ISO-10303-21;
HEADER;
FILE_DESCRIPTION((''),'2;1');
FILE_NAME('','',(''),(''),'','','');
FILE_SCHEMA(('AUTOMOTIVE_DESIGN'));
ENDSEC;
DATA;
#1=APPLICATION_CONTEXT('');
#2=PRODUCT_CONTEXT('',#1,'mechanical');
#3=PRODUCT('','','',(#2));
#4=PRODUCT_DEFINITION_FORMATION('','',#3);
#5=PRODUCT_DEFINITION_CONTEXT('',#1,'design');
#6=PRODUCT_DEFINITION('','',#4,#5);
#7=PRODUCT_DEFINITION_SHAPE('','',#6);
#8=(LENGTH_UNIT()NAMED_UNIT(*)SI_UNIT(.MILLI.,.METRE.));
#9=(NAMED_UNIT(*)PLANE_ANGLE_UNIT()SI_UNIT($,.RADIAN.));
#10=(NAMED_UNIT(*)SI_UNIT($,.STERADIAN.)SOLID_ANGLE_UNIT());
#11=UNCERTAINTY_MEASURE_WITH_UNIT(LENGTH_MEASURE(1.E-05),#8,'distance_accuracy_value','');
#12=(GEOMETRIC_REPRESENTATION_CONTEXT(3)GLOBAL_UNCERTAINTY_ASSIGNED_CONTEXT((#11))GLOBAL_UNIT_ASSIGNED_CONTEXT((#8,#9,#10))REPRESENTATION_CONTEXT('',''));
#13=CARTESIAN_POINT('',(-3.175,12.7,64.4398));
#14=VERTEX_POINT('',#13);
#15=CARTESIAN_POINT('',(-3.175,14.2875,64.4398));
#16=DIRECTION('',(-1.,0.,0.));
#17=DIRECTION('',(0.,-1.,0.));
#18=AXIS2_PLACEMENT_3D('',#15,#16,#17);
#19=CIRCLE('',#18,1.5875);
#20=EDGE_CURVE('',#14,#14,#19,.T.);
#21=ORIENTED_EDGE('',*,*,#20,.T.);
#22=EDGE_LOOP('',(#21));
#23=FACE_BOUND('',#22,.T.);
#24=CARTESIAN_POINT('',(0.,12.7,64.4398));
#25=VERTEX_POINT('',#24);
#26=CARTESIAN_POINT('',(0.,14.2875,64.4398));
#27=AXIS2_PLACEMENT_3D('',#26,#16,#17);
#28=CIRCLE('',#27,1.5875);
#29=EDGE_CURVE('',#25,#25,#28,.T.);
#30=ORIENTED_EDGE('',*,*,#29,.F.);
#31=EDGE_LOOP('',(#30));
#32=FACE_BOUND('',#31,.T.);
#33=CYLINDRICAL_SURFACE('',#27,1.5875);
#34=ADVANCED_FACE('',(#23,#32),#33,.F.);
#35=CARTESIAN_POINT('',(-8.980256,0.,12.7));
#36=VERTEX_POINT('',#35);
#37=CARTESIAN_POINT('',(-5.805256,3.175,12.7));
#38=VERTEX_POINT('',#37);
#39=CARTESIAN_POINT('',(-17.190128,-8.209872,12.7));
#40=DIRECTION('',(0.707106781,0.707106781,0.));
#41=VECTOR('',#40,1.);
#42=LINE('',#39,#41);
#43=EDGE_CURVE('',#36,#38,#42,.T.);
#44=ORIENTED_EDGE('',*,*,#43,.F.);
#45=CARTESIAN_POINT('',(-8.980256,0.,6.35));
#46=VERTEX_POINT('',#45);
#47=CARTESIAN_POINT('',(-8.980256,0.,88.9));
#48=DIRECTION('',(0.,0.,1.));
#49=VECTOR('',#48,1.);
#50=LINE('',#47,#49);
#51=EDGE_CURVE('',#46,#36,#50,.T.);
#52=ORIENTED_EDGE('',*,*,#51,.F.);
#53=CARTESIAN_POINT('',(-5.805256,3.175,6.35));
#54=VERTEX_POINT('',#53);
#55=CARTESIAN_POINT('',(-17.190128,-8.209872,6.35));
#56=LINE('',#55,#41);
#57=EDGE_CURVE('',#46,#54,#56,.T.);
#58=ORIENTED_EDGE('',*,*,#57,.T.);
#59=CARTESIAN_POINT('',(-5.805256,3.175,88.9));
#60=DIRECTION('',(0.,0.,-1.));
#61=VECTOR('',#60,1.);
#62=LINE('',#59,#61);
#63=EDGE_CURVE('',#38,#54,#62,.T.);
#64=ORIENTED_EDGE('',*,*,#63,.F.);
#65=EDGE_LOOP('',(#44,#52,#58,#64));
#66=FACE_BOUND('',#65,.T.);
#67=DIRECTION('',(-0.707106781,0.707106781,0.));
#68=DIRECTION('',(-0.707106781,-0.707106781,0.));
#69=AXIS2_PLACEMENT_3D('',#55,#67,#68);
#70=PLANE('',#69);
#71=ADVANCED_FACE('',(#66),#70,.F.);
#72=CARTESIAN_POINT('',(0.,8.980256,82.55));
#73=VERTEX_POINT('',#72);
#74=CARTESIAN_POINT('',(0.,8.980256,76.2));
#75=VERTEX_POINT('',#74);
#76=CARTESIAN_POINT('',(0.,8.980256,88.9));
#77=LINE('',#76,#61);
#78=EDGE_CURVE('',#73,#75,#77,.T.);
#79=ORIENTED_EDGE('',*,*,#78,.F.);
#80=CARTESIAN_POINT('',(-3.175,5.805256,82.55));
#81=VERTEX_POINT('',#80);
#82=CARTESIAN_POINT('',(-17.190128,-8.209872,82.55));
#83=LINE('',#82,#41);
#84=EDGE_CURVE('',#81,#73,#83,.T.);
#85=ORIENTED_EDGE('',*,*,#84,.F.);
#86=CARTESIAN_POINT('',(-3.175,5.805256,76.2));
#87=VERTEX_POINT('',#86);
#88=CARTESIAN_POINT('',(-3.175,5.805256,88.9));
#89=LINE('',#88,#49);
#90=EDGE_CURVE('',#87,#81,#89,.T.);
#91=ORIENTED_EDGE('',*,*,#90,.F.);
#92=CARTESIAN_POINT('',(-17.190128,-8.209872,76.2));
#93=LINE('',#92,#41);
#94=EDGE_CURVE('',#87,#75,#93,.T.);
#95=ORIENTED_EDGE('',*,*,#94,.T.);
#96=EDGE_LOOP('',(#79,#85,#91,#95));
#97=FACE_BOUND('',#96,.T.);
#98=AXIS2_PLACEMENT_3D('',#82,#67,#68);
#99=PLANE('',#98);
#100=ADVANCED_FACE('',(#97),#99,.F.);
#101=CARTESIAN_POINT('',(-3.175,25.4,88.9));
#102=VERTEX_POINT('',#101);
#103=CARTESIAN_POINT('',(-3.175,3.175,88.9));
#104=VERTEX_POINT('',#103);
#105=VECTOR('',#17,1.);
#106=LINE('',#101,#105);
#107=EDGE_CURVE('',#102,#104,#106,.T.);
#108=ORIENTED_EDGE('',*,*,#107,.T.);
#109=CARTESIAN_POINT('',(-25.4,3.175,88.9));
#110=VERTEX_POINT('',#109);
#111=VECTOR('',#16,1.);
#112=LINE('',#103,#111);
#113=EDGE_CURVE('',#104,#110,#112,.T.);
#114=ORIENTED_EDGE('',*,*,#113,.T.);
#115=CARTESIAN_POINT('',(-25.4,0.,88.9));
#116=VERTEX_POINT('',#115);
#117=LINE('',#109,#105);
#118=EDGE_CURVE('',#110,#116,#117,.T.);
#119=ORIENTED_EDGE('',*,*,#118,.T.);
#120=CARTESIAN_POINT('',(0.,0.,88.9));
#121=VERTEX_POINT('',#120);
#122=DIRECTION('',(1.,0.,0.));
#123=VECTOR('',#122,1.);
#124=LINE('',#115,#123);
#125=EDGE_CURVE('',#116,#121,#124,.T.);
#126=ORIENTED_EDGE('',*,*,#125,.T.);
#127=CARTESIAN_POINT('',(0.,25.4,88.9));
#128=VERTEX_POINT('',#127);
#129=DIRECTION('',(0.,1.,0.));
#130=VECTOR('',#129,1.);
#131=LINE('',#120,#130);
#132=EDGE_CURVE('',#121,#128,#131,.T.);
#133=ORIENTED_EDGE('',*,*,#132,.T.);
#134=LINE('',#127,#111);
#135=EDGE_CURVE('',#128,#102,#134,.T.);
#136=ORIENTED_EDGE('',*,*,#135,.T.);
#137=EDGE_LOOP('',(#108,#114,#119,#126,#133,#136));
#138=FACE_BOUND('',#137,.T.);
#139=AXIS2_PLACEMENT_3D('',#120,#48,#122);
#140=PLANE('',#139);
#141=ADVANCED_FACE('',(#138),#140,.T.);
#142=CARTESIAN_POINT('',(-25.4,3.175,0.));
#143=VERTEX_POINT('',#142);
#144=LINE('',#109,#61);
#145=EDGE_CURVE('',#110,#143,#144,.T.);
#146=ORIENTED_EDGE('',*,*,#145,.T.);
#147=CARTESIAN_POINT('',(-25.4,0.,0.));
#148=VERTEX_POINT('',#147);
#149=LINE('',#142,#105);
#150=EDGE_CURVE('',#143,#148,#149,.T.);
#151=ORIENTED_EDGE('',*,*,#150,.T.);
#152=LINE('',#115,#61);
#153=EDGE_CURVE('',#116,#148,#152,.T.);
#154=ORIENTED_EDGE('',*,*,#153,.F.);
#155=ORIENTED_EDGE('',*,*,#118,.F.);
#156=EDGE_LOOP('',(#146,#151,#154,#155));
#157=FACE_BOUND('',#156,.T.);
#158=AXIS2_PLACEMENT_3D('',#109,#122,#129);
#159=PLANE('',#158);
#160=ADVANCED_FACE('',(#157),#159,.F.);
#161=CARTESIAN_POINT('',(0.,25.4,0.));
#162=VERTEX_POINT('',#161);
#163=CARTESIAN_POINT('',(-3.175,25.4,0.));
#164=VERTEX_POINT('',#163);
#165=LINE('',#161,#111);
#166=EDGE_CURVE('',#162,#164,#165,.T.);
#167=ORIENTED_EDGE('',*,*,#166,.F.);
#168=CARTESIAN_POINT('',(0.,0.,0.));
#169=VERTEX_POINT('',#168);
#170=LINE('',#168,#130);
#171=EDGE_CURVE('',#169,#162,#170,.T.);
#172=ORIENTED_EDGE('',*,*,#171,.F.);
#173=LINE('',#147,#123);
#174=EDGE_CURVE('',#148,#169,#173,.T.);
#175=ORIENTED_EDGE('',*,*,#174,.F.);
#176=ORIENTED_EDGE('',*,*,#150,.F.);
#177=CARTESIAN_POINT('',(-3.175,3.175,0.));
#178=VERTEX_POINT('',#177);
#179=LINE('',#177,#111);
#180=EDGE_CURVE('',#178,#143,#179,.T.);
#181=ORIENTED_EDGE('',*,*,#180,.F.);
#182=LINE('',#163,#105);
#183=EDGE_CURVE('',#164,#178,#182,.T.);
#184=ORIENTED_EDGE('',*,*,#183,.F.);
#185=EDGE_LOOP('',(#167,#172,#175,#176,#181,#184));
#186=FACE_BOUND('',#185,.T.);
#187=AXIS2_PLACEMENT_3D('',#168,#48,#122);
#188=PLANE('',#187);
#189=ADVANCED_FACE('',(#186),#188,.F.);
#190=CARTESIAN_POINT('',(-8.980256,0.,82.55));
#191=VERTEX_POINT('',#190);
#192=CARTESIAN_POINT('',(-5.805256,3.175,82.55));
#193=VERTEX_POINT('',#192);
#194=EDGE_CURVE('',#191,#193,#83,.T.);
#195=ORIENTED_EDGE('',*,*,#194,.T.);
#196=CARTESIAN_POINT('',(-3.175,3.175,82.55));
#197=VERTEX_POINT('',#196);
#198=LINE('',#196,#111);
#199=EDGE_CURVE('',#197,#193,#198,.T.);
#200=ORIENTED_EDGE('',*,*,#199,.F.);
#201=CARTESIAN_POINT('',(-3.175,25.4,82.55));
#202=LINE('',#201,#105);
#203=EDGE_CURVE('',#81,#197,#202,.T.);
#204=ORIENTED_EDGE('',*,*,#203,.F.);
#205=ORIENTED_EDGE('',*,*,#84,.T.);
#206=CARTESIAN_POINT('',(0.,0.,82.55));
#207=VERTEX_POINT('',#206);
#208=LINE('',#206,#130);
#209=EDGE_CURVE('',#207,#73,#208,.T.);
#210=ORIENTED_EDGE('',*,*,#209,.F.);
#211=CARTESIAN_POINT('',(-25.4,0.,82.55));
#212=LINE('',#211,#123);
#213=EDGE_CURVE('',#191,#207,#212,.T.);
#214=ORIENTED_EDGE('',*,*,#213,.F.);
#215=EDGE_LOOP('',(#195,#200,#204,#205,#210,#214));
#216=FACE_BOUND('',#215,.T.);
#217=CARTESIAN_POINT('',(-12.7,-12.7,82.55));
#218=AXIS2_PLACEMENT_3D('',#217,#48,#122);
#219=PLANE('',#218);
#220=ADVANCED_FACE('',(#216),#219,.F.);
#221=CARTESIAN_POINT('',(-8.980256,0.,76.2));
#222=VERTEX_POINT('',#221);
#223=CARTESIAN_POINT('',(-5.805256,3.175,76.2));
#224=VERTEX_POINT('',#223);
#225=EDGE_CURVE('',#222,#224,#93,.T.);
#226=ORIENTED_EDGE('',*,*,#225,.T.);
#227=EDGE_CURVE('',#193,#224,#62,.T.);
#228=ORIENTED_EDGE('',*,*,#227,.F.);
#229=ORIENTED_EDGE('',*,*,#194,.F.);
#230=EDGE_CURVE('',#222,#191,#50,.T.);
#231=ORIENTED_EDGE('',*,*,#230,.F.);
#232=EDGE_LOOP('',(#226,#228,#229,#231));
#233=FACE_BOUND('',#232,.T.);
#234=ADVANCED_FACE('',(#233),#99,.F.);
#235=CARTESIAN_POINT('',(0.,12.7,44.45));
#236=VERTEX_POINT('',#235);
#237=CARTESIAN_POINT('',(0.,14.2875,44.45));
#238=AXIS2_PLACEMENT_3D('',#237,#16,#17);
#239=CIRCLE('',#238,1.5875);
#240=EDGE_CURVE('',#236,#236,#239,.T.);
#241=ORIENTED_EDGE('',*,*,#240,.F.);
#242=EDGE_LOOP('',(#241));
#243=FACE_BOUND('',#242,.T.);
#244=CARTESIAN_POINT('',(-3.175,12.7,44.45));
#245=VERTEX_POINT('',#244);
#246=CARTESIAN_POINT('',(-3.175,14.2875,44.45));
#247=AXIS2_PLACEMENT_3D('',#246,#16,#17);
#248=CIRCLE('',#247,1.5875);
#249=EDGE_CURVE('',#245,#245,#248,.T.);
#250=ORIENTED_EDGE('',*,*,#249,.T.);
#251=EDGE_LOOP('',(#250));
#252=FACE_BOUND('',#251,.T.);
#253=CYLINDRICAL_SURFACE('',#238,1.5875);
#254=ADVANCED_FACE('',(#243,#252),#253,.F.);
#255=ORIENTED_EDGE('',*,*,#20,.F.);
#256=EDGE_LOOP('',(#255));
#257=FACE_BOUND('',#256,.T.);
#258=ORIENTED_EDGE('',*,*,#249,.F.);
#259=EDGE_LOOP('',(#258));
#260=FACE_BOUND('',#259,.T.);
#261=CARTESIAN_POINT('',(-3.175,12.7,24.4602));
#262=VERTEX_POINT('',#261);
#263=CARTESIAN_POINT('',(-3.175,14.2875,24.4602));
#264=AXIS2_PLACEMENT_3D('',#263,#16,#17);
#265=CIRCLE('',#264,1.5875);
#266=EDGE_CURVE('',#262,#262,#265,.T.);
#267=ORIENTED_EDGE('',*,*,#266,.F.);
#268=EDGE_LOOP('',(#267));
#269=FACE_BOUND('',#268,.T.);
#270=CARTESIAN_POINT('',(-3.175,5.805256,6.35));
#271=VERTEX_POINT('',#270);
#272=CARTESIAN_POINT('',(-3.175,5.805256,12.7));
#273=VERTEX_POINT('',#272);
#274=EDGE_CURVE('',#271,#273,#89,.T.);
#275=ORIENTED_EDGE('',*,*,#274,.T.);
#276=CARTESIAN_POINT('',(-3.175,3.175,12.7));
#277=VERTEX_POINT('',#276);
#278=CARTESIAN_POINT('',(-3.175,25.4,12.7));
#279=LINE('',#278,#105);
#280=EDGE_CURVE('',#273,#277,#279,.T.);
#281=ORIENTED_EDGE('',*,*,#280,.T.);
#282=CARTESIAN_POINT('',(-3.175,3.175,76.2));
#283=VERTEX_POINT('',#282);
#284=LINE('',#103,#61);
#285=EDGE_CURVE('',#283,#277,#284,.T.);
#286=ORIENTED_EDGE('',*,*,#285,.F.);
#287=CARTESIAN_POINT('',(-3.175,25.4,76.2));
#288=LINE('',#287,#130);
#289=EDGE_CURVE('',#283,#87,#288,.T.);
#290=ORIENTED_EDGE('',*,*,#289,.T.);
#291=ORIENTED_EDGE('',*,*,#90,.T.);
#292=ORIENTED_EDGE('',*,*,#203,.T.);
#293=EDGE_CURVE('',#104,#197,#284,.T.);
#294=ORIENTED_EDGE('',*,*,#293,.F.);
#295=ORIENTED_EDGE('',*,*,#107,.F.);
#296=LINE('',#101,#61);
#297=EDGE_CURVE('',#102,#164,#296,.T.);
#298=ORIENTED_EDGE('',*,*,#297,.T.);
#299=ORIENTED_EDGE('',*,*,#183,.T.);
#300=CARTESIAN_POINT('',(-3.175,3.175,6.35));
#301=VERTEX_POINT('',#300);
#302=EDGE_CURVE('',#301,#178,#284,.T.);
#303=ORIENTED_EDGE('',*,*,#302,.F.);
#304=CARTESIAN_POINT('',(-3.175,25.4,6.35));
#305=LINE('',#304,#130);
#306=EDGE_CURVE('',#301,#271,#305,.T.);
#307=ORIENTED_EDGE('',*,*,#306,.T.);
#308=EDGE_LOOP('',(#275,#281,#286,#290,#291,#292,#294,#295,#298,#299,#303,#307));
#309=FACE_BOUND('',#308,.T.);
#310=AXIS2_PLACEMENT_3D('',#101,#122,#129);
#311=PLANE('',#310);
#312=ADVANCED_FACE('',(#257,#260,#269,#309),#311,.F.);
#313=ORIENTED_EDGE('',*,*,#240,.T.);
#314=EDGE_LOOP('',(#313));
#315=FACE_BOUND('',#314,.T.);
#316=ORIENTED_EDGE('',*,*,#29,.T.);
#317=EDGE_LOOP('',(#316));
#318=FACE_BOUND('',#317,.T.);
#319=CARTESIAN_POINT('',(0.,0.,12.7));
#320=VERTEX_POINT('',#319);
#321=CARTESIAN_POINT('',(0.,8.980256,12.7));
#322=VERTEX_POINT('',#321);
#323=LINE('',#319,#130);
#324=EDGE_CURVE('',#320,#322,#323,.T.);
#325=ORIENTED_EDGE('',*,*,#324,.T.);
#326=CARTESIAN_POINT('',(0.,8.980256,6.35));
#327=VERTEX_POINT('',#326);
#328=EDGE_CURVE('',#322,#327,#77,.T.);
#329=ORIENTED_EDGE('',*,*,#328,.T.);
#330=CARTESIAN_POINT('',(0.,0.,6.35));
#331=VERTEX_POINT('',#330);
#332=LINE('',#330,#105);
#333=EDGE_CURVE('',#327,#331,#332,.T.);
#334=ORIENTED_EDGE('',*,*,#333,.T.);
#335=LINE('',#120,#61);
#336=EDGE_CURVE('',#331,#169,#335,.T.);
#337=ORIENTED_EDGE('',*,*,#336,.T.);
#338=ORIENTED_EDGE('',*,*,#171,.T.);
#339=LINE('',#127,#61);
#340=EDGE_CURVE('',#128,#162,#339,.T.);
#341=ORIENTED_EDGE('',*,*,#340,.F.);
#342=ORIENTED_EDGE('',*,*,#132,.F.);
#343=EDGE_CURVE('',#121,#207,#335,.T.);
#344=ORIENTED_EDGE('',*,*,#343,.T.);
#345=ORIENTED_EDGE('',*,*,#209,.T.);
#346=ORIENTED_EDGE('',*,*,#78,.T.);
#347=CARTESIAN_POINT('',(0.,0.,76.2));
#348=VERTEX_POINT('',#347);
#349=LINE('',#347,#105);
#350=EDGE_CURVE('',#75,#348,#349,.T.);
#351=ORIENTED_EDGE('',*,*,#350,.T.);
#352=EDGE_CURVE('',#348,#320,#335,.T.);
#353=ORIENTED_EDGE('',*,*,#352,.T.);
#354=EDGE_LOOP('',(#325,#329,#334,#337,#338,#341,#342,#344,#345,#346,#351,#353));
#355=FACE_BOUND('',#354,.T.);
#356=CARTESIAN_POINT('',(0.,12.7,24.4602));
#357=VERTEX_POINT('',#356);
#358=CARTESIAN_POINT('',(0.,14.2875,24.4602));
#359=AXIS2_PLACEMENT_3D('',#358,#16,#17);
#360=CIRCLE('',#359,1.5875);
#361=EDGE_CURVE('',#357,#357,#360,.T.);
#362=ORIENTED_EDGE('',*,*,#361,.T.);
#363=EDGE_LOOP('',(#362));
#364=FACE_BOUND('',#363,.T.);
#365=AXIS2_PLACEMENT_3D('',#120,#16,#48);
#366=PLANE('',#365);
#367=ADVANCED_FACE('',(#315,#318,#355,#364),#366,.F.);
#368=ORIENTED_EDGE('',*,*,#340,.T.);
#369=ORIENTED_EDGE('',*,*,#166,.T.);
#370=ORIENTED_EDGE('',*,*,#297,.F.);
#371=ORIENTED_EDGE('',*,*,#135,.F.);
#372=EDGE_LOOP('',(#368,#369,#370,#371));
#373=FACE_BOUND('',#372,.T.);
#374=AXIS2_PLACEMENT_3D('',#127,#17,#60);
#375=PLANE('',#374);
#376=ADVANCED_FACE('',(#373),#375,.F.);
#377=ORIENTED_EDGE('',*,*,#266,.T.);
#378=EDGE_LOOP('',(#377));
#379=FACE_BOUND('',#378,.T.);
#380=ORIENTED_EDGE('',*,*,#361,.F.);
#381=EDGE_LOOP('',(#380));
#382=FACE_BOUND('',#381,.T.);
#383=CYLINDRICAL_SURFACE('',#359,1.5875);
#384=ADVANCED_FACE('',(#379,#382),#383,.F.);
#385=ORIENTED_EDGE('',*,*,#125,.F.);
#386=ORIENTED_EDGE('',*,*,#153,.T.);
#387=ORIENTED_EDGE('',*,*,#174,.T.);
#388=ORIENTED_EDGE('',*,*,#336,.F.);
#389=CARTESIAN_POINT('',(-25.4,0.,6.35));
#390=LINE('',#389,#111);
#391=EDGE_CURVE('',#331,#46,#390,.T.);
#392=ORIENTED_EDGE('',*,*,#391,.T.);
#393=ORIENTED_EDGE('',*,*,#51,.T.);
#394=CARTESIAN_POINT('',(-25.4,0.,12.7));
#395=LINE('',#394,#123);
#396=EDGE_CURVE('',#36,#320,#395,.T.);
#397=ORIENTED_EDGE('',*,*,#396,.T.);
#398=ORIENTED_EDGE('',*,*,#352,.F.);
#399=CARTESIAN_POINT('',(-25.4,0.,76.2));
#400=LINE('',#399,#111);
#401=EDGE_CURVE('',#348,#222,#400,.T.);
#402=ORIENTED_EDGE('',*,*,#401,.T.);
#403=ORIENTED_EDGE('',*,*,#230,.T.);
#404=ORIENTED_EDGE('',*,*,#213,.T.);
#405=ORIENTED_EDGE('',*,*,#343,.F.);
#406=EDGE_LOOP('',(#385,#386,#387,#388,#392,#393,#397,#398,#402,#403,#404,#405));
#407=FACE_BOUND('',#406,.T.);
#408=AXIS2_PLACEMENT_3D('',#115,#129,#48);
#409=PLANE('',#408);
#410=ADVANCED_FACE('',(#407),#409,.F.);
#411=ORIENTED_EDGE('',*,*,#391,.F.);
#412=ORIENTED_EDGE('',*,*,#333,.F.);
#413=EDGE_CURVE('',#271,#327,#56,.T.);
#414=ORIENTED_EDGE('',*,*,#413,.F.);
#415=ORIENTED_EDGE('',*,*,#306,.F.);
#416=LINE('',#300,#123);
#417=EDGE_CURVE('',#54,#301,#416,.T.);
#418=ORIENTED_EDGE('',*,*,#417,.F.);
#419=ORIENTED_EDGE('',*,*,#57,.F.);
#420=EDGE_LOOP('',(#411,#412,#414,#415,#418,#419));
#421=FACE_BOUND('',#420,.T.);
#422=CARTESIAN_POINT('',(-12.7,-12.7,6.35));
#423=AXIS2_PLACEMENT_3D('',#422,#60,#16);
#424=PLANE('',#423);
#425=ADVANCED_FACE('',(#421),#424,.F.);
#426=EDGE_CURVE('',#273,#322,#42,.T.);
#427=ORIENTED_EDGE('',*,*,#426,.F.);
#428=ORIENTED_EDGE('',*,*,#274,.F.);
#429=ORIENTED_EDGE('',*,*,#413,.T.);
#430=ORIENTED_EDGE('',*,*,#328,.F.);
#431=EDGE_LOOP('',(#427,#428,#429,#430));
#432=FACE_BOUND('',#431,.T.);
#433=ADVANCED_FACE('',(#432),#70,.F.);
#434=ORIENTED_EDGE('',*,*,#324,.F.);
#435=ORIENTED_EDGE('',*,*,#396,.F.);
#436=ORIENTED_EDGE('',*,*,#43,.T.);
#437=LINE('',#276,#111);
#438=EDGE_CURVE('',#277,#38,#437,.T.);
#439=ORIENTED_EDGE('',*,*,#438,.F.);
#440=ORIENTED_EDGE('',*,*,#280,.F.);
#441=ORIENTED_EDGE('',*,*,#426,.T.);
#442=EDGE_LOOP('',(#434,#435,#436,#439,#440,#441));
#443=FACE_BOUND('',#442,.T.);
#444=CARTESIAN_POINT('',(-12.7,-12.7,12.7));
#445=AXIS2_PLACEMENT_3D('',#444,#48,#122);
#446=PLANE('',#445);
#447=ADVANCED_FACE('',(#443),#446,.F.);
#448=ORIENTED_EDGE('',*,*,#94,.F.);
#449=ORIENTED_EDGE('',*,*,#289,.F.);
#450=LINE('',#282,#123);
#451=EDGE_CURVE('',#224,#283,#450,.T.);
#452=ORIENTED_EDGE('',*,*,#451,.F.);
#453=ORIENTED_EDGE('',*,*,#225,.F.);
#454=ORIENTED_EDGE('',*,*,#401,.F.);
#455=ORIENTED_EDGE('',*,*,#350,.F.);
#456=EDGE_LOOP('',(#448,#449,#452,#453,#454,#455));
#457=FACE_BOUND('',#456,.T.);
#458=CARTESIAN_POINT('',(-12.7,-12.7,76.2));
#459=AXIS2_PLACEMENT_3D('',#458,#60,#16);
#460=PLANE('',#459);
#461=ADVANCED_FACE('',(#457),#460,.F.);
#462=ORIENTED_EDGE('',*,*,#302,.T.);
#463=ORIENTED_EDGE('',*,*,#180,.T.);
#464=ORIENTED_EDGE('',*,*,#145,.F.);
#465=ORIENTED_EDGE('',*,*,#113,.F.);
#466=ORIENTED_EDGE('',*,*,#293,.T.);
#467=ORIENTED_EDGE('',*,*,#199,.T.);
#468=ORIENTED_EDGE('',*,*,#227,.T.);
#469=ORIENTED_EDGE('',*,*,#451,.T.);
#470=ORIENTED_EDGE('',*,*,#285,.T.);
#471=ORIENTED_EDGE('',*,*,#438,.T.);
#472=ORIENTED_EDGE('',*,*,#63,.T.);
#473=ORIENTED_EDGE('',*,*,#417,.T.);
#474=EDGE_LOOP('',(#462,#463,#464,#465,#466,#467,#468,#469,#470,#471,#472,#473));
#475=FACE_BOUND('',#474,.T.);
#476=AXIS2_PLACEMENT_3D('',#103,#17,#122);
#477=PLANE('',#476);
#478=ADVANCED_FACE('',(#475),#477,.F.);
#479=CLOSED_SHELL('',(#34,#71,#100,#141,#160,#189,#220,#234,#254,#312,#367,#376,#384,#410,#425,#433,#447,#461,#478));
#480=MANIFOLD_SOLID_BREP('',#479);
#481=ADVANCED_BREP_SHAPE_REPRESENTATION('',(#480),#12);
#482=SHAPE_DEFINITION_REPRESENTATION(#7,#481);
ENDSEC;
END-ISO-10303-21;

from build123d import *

# Parameters (mm, degrees)
BOSS_EXTRUDE1_DEPTH     = 88.9
SKETCH2_W               = 6.35
SKETCH2_H               = 6.35
CUT_EXTRUDE4_DEPTH      = 18.960512242
CUT_EXTRUDE4_DEPTH_BACK = 18.960512242
SKETCH3_R               = 1.5875
CUT_EXTRUDE5_DEPTH      = 4.175


with BuildPart() as part:
    # Sketch1 → Boss-Extrude1 (new body)
    with BuildSketch(Plane.XY):
        Polygon((0, 0), (0, 25.4), (-3.175, 25.4), (-3.175, 3.175), (-25.4, 3.175), (-25.4, 0), align=None)
    extrude(amount=BOSS_EXTRUDE1_DEPTH)

    # Sketch2 → Cut-Extrude4 (cut, two sides)
    with BuildSketch(Plane(origin=(0, 0, 0), x_dir=(0, 0, -1), z_dir=(0.707106781, 0.707106781, 0))) as cut_extrude4_sk:
        with Locations((-79.375, 3.175)):
            Rectangle(SKETCH2_W, SKETCH2_H)
        with Locations((-9.525, 3.175)):
            Rectangle(SKETCH2_W, SKETCH2_H)
    extrude(amount=CUT_EXTRUDE4_DEPTH, mode=Mode.SUBTRACT)
    extrude(cut_extrude4_sk.sketch, amount=-CUT_EXTRUDE4_DEPTH_BACK, mode=Mode.SUBTRACT)

    # Sketch3 → Cut-Extrude5 (cut, through all)
    with BuildSketch(Plane.ZY.offset(3.175)):
        with Locations((44.45, 14.2875)):
            Circle(SKETCH3_R)
        with Locations((24.4602, 14.2875)):
            Circle(SKETCH3_R)
        with Locations((64.4398, 14.2875)):
            Circle(SKETCH3_R)
    extrude(amount=-CUT_EXTRUDE5_DEPTH, mode=Mode.SUBTRACT)


solid = part.part
